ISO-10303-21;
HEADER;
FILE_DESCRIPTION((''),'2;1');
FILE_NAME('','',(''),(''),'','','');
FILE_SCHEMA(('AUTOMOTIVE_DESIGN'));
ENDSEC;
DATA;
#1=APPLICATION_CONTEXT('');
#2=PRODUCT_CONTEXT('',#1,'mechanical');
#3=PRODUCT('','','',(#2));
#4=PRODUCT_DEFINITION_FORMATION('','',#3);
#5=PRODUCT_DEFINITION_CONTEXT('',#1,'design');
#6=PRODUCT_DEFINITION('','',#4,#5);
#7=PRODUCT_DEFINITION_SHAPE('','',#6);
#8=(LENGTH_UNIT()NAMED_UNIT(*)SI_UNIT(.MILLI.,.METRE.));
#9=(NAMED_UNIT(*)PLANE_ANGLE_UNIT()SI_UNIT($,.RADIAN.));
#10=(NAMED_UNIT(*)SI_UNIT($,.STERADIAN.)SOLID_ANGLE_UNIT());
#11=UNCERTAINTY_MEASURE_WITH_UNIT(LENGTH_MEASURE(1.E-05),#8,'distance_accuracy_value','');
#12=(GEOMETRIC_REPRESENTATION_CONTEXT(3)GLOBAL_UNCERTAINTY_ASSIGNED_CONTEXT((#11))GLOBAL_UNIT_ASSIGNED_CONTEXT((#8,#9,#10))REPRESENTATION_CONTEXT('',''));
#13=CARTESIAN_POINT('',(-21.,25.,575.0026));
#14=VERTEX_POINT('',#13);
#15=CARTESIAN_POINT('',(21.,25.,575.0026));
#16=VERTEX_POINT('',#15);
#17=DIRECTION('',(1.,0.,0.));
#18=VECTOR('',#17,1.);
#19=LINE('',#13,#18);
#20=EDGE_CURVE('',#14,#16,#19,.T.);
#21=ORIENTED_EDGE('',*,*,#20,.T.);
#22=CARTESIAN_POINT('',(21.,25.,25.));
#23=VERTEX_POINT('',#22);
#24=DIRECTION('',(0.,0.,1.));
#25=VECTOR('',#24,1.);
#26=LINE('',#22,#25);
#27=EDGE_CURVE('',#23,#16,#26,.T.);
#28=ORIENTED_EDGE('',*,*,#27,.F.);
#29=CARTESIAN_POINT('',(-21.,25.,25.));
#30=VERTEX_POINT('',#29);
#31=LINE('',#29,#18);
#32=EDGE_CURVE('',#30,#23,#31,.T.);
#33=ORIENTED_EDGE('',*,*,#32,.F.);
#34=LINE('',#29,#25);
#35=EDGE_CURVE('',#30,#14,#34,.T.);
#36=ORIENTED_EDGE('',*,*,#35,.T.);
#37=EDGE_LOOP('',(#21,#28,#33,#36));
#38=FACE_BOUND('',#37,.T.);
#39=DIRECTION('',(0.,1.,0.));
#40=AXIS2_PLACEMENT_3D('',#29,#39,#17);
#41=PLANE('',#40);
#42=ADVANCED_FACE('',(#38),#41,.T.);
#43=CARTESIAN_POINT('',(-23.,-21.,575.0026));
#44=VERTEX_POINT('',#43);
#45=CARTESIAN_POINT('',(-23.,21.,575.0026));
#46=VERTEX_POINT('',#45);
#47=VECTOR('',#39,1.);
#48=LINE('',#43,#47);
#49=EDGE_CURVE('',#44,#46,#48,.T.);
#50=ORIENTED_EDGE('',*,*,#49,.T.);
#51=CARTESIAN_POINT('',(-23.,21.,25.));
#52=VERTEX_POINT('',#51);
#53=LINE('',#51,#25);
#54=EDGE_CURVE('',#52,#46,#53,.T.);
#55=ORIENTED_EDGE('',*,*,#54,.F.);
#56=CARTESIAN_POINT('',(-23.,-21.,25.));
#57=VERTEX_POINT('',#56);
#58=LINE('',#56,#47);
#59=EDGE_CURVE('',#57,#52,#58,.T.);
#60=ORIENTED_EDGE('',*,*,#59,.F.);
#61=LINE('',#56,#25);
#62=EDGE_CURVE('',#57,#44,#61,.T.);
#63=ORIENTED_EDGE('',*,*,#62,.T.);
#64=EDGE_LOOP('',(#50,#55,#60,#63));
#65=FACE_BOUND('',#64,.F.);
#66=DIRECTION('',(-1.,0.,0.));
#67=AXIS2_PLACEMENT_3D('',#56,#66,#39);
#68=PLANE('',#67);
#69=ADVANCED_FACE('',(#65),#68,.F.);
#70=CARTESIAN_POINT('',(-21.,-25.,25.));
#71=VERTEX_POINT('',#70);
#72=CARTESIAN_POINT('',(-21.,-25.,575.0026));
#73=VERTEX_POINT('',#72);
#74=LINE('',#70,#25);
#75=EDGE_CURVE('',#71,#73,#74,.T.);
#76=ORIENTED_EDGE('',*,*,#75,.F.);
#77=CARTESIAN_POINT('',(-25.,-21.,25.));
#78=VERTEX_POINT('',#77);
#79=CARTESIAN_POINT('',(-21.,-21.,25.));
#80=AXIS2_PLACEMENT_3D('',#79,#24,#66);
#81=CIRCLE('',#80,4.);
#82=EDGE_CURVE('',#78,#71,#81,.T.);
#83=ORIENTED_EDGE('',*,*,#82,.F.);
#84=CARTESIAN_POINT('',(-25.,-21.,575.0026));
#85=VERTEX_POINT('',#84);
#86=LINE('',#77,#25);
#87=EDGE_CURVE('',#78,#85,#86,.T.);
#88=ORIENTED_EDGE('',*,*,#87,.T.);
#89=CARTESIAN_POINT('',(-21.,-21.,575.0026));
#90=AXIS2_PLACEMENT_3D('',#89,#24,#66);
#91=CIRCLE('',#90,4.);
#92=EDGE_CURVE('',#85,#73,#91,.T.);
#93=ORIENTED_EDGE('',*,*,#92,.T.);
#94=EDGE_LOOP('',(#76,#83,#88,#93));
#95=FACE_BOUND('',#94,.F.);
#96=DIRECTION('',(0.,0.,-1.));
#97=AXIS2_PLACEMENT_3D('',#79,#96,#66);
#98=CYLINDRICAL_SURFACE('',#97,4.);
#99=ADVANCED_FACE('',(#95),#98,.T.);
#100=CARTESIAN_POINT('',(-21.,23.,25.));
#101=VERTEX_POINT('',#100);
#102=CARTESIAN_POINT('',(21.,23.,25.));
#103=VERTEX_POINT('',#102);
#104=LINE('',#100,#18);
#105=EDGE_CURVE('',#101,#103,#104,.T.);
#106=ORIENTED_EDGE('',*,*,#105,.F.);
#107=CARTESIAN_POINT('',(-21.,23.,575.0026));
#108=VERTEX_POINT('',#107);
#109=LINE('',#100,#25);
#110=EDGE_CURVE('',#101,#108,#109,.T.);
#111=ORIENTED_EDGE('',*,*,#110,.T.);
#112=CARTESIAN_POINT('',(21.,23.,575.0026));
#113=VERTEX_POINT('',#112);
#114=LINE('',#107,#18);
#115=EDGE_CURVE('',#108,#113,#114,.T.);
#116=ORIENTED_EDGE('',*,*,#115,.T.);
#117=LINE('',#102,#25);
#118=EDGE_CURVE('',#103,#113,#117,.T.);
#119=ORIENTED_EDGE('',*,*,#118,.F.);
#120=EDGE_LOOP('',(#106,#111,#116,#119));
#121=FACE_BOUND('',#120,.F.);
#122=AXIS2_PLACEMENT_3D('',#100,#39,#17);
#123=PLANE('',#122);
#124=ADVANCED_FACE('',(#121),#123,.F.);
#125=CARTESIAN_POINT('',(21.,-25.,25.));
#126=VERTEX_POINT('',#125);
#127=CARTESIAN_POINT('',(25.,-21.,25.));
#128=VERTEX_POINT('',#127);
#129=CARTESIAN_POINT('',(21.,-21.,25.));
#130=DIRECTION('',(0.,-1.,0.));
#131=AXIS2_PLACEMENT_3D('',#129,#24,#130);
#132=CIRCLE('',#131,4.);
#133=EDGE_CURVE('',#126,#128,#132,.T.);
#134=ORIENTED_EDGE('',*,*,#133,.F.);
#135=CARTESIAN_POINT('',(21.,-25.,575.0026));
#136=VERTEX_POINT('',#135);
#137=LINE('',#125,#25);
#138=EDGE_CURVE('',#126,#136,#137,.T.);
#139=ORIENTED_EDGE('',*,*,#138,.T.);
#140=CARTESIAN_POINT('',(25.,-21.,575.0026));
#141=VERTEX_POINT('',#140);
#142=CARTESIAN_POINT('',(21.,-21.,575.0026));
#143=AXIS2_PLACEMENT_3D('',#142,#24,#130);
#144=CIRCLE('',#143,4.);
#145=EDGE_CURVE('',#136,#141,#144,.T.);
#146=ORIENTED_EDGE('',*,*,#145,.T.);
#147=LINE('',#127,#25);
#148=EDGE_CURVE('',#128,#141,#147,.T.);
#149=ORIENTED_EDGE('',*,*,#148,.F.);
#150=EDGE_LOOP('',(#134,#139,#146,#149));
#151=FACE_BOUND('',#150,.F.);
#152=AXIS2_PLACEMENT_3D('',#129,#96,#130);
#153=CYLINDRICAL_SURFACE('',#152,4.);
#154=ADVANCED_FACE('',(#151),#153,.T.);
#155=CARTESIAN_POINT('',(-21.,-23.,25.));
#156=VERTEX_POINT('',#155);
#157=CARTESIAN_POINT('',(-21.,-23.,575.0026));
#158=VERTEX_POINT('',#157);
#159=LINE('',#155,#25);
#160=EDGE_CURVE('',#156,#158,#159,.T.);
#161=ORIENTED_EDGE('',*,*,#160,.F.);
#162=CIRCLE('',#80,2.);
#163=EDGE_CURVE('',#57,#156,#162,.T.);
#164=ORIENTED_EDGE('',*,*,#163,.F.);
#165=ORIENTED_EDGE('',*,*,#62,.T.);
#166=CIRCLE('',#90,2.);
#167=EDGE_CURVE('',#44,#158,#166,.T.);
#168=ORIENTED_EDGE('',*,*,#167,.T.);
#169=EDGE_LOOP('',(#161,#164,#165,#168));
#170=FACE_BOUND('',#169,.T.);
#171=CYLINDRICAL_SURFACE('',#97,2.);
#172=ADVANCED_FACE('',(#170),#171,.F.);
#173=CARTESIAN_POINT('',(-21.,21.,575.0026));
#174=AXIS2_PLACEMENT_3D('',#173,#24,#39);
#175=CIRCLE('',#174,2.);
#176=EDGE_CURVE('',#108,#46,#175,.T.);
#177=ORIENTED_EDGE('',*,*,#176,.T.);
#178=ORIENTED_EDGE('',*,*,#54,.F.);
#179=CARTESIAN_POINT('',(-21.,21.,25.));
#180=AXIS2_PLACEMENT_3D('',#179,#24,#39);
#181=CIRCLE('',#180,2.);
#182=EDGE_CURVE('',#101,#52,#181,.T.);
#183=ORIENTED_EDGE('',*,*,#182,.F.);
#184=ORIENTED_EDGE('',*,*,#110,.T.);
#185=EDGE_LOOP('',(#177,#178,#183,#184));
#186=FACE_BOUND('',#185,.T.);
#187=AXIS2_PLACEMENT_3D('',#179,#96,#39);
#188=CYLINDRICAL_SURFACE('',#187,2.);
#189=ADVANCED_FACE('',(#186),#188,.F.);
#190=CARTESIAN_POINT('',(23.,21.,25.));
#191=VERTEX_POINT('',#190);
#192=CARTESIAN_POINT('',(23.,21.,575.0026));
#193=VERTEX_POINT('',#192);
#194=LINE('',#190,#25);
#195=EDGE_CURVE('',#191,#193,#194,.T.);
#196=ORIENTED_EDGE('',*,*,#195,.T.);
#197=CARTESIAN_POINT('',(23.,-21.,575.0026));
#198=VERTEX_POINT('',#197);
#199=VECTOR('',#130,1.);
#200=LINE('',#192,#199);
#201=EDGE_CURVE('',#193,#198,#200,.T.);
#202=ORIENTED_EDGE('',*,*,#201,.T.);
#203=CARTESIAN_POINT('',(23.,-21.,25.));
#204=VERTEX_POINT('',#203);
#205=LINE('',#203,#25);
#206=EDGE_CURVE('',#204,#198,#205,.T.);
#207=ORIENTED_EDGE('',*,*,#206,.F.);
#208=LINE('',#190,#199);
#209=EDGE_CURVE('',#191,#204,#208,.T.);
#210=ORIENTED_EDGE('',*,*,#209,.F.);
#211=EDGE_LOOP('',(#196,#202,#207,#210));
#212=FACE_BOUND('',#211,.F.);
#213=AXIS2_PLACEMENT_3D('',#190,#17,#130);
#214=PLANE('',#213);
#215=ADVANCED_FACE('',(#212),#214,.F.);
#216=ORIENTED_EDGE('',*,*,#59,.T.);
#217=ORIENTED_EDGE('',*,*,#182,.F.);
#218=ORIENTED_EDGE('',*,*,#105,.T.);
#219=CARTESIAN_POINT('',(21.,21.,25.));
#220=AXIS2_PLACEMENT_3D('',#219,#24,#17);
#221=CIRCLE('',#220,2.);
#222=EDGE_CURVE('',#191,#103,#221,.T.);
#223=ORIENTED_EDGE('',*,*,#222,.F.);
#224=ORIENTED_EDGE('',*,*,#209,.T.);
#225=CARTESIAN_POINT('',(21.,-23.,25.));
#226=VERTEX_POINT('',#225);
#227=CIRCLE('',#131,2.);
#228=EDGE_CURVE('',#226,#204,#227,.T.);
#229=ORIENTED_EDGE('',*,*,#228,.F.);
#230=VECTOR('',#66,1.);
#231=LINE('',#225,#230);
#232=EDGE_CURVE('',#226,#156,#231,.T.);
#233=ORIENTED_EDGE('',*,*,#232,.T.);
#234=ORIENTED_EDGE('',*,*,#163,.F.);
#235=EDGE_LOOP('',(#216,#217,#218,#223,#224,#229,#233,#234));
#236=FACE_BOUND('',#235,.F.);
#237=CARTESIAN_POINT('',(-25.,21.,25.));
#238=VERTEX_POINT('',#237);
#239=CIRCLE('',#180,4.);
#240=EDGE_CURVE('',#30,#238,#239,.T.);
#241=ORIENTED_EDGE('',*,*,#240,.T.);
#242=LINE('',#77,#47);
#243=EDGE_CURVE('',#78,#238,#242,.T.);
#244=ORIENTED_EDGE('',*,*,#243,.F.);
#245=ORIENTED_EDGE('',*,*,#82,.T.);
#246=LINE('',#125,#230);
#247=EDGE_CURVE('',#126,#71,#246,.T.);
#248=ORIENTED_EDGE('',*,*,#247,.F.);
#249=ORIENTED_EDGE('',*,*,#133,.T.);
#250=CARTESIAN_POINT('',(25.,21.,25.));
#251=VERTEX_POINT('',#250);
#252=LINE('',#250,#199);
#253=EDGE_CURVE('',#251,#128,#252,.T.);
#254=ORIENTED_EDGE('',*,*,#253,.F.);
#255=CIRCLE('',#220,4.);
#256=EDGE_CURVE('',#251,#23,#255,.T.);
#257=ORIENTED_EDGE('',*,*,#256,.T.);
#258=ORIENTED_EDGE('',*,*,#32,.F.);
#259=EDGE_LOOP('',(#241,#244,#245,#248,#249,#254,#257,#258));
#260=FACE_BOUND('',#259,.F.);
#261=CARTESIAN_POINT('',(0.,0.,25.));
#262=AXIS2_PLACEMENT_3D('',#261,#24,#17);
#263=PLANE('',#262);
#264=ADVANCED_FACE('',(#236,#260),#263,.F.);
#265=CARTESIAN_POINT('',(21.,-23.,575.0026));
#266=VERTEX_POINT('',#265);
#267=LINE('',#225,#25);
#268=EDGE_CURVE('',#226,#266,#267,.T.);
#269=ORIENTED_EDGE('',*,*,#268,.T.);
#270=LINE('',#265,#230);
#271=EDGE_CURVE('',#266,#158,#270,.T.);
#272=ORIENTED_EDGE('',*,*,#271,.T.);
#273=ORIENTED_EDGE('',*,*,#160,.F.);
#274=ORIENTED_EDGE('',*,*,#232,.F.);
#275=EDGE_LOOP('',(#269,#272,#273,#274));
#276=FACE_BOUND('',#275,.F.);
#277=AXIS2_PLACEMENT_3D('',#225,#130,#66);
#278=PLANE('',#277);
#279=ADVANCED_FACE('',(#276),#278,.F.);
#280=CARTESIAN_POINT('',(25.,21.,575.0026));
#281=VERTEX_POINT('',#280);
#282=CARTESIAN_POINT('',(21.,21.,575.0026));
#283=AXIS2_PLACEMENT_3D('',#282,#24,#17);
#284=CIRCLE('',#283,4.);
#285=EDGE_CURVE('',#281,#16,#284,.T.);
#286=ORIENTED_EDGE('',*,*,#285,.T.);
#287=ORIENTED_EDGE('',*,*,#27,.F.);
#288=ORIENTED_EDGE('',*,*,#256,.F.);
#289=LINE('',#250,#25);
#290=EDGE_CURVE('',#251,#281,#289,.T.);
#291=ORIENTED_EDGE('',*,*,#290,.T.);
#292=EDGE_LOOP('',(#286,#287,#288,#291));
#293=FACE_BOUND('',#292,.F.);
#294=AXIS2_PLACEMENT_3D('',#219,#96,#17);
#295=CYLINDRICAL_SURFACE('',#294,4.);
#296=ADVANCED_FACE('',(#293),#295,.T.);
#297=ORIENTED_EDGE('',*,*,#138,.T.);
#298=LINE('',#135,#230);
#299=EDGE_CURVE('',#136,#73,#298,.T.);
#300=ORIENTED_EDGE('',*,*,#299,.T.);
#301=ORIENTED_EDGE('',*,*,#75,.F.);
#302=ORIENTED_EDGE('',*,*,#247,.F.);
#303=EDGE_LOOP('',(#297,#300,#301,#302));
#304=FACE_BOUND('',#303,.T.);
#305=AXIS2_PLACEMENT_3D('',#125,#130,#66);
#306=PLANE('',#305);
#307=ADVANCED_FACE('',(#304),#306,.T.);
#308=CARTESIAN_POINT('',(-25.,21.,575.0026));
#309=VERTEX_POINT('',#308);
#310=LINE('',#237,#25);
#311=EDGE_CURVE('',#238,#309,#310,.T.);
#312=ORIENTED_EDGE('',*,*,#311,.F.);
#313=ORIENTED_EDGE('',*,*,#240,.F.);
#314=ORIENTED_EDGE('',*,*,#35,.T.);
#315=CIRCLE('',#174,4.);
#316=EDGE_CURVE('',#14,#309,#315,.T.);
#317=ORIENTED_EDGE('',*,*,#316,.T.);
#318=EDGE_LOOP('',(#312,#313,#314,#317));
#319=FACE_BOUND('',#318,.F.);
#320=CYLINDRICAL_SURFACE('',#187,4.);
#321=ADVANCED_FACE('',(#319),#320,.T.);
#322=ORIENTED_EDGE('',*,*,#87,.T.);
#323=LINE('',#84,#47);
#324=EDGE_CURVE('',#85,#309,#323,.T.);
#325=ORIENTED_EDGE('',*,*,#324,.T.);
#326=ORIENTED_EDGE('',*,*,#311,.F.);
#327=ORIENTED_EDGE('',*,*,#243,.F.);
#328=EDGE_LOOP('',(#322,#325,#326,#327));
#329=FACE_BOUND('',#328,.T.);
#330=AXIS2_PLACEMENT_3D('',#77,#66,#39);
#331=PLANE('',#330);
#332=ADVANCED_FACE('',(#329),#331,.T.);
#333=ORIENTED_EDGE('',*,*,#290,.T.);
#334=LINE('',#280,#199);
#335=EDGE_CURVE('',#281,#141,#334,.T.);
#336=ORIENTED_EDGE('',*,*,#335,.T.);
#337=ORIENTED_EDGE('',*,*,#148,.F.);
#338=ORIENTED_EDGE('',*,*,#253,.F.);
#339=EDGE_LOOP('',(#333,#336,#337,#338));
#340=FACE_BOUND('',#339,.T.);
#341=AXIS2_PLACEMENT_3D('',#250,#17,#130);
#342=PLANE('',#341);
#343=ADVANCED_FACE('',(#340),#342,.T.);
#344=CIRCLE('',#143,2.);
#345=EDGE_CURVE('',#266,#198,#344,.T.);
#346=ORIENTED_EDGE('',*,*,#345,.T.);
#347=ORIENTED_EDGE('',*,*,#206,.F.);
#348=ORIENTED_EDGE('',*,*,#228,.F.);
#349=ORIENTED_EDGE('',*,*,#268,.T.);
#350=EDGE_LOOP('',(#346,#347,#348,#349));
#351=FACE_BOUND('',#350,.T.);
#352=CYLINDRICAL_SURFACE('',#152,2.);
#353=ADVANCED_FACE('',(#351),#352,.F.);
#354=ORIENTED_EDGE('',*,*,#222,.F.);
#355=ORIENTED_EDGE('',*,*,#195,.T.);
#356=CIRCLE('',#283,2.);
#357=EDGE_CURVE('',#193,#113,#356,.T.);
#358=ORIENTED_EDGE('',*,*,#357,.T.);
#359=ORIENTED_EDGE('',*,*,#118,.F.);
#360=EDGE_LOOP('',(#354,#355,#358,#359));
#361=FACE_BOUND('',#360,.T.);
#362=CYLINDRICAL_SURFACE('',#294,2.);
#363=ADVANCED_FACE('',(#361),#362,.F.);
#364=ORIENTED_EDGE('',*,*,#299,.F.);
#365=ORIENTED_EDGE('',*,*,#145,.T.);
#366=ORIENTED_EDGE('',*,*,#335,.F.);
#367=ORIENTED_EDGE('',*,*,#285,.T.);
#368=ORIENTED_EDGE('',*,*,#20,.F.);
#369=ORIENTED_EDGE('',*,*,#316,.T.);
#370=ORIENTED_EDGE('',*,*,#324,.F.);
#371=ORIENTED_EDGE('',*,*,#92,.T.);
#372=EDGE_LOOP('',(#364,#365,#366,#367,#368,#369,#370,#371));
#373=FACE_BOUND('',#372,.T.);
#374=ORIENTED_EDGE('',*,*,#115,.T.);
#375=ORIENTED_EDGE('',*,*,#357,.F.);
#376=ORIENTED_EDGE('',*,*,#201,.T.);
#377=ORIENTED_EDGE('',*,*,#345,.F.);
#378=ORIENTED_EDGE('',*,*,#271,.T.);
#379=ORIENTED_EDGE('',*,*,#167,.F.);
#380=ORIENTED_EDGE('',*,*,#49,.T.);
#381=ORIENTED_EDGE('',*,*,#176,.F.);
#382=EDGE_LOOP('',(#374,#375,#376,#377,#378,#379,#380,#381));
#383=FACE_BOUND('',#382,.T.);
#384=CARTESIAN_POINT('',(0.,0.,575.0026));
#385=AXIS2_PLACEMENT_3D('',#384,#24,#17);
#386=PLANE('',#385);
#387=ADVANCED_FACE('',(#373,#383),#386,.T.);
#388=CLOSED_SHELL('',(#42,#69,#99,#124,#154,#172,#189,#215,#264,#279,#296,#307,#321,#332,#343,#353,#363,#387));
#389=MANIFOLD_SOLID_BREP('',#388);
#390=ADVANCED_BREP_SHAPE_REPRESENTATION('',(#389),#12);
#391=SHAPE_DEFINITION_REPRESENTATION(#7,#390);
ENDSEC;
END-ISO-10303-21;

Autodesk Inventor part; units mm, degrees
ref_plane "Start Plane" through (0, 0, 25) normal (0, 0, 1) x (1, 0, 0)
ref_plane "End Plane" through (0, 0, 575.0026) normal (0, 0, 1) x (1, 0, 0)
sketch "Sketch" plane through (0, 0, 0) normal (0, 0, 1) x (1, 0, 0)
  line L0 (-25, -21) -> (-25, 21)
  line L1 (-21, 25) -> (21, 25)
  line L2 (25, 21) -> (25, -21)
  line L3 (21, -25) -> (-21, -25)
  arc A0 (-25, -21) -> (-21, -25) centre (-21, -21) ccw
  arc A1 (25, 21) -> (21, 25) centre (21, 21) ccw
  arc A2 (-21, 25) -> (-25, 21) centre (-21, 21) ccw
  arc A3 (21, -25) -> (25, -21) centre (21, -21) ccw
  arc A4 (-21, 23) -> (-23, 21) centre (-21, 21) ccw
  line L4 (-21, 23) -> (21, 23)
  arc A5 (23, 21) -> (21, 23) centre (21, 21) ccw
  line L5 (23, 21) -> (23, -21)
  arc A6 (21, -23) -> (23, -21) centre (21, -21) ccw
  line L6 (21, -23) -> (-21, -23)
  arc A7 (-23, -21) -> (-21, -23) centre (-21, -21) ccw
  line L7 (-23, -21) -> (-23, 21)
  line L8 (0, 36.1598) -> (0, -36.1598) construction
  line L9 (-36.1598, 0) -> (36.1598, 0) construction
  dimension "d7" = 4
  dimension "d9" = 50
  dimension "d11" = 50
  dimension "d12" = 2
  dimension "d15" = 25
  dimension "d16" = 25
extrude "Body" add sketch "Sketch" along normal up to surface (550.0026 mm away) from surface at 25
sketch "Sketch3" plane through (0, 0, 0) normal (0, 0, 1) x (1, 0, 0)
  line L0 (0, 0) -> (10, 0)
ref_plane "Work Plane3" through (0, 0, 0) normal (0, -1, 0) x (1, 0, 0)
sketch "Sketch4" plane through (0, 0, 0) normal (0, -1, 0) x (1, 0, 0)
  line L0 (-2, 25) -> (12, 25)
  line L1 (-2, 575.0026) -> (12, 575.0026)
  dimension "d18" = 550.0026
ref_plane "Work Plane4" through (390, 21, 25) normal (0, 0, -1) x (-1, 0, 0)
split "Split1" plane through (390, 21, 25) removes the side toward (0, 0, -1)
ref_plane "Work Plane5" through (-1922.5, 21, 575.0026) normal (0, 0, 1) x (1, 0, 0)
split "Split2" plane through (-1922.5, 21, 575.0026) removes the side toward (0, 0, 1)
equation "\"d7\" = G_IR"
equation "\"d9\" = G_W"
equation "\"d11\" = G_H"
equation "\"d12\" = G_T"
equation "\"d15\" = 0.5 * d9"
equation "\"d16\" = 0.5 * d11"
equation "\"d3\" = G_L"
equation "\"G_W\" = 50"
equation "\"G_H\" = 50"
equation "\"G_T\" = 2"
equation "\"G_IR\" = 4"
equation "\"G_L\" = d18"
equation "\"G_OFFSET_START\" = -25"
equation "\"G_OFFSET_END\" = -25"
equation "\"d13\" = -G_OFFSET_START"
equation "\"d14\" = G_OFFSET_END + B_L"
equation "\"B_L\" = 600.0026"
properties part number "ISO 10799-2 - 50x50x2 - 550"
